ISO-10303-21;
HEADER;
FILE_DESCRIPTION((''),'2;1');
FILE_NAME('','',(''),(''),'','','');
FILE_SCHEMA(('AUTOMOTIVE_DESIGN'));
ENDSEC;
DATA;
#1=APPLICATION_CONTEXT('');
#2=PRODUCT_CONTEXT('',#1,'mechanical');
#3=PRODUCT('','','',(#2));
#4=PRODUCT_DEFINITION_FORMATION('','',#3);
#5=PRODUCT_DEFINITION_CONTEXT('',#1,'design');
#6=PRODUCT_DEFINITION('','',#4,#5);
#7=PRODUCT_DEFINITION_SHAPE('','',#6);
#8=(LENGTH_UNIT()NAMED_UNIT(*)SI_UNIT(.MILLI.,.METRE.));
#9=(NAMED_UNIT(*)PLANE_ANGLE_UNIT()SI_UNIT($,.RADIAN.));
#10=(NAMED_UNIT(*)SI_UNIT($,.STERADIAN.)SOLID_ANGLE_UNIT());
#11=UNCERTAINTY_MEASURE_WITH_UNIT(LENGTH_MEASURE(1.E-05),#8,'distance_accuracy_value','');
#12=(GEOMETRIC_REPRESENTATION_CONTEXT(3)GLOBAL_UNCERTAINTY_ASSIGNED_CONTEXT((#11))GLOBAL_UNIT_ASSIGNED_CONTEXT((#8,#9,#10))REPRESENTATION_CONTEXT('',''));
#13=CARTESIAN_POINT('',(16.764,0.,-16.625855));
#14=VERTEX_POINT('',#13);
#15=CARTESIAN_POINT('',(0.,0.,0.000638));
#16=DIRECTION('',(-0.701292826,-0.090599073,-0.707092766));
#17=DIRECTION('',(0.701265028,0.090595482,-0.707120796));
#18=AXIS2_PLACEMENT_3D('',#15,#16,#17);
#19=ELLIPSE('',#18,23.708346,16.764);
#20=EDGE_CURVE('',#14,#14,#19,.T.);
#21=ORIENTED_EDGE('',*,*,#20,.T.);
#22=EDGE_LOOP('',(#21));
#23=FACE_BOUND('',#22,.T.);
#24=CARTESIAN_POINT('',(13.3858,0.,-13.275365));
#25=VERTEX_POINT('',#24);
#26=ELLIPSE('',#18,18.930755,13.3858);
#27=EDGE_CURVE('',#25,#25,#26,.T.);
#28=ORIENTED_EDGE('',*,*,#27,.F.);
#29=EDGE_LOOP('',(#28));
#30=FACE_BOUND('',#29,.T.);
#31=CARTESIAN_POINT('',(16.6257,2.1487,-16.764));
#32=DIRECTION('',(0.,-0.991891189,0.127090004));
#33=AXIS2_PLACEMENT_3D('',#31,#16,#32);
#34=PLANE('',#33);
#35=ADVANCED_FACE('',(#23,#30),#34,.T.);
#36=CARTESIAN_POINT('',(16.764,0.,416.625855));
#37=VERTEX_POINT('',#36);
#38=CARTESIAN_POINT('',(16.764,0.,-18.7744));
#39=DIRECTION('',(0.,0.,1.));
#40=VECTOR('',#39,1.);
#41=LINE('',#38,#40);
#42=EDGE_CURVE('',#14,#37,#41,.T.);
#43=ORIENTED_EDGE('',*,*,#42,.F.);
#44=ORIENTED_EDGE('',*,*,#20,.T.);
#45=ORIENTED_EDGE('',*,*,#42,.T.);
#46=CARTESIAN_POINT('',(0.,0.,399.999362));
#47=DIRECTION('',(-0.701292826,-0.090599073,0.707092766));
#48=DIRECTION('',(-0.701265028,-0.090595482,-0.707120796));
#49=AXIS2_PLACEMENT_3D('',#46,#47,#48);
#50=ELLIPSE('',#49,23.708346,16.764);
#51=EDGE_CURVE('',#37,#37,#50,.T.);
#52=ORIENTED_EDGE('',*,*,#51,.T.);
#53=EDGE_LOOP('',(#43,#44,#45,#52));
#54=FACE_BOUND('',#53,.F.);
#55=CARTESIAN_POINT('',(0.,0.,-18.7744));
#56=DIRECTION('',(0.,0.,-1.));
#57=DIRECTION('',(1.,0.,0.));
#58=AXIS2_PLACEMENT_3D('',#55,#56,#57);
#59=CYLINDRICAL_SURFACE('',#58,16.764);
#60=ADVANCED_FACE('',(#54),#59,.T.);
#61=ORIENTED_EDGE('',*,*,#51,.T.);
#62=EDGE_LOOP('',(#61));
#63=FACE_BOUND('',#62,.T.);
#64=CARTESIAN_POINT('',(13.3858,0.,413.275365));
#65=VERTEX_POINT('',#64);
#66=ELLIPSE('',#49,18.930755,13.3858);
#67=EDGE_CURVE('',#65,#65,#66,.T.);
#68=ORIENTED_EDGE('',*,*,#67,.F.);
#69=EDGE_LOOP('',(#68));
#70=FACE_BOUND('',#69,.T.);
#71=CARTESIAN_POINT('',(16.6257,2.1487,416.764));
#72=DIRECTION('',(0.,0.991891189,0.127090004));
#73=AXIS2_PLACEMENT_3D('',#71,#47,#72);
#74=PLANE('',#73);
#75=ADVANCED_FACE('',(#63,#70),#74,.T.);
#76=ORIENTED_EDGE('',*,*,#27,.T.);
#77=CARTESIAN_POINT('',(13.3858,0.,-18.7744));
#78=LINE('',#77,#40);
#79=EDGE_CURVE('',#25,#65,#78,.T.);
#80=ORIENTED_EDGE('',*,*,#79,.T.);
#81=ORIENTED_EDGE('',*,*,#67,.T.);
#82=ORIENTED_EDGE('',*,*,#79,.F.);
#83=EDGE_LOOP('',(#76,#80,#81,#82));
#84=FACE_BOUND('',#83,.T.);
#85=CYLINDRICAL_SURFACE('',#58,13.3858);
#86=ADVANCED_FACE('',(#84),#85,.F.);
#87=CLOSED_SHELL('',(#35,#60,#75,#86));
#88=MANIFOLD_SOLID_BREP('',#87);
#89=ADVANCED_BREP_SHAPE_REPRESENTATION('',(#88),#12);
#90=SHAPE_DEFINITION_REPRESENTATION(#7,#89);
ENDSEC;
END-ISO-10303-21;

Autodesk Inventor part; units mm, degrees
ref_plane "Start plane" through (0, 0, -18.7744) normal (0, 0, 1) x (1, 0, 0)
ref_plane "End plane" through (0, 0, 418.7744) normal (0, 0, 1) x (1, 0, 0)
sketch "Sketch" plane through (0, 0, 0) normal (0, 0, 1) x (1, 0, 0)
  circle A0 centre (0, 0) radius 13.3858
  circle A1 centre (0, 0) radius 16.764
  dimension "d0" = 33.528
  dimension "d1" = 3.3782
extrude "Body" add sketch "Sketch" along normal up to surface (437.5489 mm away) from surface at -18.7744
sketch "Sketch3" plane through (0, 0, 0) normal (0, 0, 1) x (1, 0, 0)
  line L0 (0, 0) -> (10, 0)
ref_plane "Work Plane3" through (0, 0, 0) normal (0, -1, 0) x (1, 0, 0)
ref_plane "Work Plane4" through (16.6257, 2.1487, 416.764) normal (-0.7013, -0.0906, 0.7071) x (0.7119, -0.0372, 0.7013)
split "Split1" plane through (16.6257, 2.1487, 416.764) removes the side toward (-0.7013, -0.0906, 0.7071)
ref_plane "Work Plane5" through (16.6257, 2.1487, -16.764) normal (-0.7013, -0.0906, -0.7071) x (-0.6791, -0.217, 0.7013)
split "Split2" plane through (16.6257, 2.1487, -16.764) removes the side toward (-0.7013, -0.0906, -0.7071)
sketch "Sketch4" plane through (0, 0, 0) normal (0, -1, 0) x (1, 0, 0)
  line L0 (-2, -18.7744) -> (12, -18.7744) projected
  line L1 (-2, 418.7744) -> (12, 418.7744) projected
  dimension "d7" = 437.5489
equation "\"d0\" = G_H"
equation "\"d1\" = G_T"
equation "\"d2\" = G_L"
equation "\"G_H\" = 33.528"
equation "\"G_T\" = 3.3782"
equation "\"G_L\" = 433.528"
equation "\"G_OFFSET_START\" = 18.77444"
equation "\"G_OFFSET_END\" = 18.77444"
equation "\"d4\" = -G_OFFSET_START"
equation "\"d5\" = G_OFFSET_END + B_L"
equation "\"B_L\" = 400"
properties part number "ANSI - 1 x 0.133 - 17.068" material "Steel, Mild"
